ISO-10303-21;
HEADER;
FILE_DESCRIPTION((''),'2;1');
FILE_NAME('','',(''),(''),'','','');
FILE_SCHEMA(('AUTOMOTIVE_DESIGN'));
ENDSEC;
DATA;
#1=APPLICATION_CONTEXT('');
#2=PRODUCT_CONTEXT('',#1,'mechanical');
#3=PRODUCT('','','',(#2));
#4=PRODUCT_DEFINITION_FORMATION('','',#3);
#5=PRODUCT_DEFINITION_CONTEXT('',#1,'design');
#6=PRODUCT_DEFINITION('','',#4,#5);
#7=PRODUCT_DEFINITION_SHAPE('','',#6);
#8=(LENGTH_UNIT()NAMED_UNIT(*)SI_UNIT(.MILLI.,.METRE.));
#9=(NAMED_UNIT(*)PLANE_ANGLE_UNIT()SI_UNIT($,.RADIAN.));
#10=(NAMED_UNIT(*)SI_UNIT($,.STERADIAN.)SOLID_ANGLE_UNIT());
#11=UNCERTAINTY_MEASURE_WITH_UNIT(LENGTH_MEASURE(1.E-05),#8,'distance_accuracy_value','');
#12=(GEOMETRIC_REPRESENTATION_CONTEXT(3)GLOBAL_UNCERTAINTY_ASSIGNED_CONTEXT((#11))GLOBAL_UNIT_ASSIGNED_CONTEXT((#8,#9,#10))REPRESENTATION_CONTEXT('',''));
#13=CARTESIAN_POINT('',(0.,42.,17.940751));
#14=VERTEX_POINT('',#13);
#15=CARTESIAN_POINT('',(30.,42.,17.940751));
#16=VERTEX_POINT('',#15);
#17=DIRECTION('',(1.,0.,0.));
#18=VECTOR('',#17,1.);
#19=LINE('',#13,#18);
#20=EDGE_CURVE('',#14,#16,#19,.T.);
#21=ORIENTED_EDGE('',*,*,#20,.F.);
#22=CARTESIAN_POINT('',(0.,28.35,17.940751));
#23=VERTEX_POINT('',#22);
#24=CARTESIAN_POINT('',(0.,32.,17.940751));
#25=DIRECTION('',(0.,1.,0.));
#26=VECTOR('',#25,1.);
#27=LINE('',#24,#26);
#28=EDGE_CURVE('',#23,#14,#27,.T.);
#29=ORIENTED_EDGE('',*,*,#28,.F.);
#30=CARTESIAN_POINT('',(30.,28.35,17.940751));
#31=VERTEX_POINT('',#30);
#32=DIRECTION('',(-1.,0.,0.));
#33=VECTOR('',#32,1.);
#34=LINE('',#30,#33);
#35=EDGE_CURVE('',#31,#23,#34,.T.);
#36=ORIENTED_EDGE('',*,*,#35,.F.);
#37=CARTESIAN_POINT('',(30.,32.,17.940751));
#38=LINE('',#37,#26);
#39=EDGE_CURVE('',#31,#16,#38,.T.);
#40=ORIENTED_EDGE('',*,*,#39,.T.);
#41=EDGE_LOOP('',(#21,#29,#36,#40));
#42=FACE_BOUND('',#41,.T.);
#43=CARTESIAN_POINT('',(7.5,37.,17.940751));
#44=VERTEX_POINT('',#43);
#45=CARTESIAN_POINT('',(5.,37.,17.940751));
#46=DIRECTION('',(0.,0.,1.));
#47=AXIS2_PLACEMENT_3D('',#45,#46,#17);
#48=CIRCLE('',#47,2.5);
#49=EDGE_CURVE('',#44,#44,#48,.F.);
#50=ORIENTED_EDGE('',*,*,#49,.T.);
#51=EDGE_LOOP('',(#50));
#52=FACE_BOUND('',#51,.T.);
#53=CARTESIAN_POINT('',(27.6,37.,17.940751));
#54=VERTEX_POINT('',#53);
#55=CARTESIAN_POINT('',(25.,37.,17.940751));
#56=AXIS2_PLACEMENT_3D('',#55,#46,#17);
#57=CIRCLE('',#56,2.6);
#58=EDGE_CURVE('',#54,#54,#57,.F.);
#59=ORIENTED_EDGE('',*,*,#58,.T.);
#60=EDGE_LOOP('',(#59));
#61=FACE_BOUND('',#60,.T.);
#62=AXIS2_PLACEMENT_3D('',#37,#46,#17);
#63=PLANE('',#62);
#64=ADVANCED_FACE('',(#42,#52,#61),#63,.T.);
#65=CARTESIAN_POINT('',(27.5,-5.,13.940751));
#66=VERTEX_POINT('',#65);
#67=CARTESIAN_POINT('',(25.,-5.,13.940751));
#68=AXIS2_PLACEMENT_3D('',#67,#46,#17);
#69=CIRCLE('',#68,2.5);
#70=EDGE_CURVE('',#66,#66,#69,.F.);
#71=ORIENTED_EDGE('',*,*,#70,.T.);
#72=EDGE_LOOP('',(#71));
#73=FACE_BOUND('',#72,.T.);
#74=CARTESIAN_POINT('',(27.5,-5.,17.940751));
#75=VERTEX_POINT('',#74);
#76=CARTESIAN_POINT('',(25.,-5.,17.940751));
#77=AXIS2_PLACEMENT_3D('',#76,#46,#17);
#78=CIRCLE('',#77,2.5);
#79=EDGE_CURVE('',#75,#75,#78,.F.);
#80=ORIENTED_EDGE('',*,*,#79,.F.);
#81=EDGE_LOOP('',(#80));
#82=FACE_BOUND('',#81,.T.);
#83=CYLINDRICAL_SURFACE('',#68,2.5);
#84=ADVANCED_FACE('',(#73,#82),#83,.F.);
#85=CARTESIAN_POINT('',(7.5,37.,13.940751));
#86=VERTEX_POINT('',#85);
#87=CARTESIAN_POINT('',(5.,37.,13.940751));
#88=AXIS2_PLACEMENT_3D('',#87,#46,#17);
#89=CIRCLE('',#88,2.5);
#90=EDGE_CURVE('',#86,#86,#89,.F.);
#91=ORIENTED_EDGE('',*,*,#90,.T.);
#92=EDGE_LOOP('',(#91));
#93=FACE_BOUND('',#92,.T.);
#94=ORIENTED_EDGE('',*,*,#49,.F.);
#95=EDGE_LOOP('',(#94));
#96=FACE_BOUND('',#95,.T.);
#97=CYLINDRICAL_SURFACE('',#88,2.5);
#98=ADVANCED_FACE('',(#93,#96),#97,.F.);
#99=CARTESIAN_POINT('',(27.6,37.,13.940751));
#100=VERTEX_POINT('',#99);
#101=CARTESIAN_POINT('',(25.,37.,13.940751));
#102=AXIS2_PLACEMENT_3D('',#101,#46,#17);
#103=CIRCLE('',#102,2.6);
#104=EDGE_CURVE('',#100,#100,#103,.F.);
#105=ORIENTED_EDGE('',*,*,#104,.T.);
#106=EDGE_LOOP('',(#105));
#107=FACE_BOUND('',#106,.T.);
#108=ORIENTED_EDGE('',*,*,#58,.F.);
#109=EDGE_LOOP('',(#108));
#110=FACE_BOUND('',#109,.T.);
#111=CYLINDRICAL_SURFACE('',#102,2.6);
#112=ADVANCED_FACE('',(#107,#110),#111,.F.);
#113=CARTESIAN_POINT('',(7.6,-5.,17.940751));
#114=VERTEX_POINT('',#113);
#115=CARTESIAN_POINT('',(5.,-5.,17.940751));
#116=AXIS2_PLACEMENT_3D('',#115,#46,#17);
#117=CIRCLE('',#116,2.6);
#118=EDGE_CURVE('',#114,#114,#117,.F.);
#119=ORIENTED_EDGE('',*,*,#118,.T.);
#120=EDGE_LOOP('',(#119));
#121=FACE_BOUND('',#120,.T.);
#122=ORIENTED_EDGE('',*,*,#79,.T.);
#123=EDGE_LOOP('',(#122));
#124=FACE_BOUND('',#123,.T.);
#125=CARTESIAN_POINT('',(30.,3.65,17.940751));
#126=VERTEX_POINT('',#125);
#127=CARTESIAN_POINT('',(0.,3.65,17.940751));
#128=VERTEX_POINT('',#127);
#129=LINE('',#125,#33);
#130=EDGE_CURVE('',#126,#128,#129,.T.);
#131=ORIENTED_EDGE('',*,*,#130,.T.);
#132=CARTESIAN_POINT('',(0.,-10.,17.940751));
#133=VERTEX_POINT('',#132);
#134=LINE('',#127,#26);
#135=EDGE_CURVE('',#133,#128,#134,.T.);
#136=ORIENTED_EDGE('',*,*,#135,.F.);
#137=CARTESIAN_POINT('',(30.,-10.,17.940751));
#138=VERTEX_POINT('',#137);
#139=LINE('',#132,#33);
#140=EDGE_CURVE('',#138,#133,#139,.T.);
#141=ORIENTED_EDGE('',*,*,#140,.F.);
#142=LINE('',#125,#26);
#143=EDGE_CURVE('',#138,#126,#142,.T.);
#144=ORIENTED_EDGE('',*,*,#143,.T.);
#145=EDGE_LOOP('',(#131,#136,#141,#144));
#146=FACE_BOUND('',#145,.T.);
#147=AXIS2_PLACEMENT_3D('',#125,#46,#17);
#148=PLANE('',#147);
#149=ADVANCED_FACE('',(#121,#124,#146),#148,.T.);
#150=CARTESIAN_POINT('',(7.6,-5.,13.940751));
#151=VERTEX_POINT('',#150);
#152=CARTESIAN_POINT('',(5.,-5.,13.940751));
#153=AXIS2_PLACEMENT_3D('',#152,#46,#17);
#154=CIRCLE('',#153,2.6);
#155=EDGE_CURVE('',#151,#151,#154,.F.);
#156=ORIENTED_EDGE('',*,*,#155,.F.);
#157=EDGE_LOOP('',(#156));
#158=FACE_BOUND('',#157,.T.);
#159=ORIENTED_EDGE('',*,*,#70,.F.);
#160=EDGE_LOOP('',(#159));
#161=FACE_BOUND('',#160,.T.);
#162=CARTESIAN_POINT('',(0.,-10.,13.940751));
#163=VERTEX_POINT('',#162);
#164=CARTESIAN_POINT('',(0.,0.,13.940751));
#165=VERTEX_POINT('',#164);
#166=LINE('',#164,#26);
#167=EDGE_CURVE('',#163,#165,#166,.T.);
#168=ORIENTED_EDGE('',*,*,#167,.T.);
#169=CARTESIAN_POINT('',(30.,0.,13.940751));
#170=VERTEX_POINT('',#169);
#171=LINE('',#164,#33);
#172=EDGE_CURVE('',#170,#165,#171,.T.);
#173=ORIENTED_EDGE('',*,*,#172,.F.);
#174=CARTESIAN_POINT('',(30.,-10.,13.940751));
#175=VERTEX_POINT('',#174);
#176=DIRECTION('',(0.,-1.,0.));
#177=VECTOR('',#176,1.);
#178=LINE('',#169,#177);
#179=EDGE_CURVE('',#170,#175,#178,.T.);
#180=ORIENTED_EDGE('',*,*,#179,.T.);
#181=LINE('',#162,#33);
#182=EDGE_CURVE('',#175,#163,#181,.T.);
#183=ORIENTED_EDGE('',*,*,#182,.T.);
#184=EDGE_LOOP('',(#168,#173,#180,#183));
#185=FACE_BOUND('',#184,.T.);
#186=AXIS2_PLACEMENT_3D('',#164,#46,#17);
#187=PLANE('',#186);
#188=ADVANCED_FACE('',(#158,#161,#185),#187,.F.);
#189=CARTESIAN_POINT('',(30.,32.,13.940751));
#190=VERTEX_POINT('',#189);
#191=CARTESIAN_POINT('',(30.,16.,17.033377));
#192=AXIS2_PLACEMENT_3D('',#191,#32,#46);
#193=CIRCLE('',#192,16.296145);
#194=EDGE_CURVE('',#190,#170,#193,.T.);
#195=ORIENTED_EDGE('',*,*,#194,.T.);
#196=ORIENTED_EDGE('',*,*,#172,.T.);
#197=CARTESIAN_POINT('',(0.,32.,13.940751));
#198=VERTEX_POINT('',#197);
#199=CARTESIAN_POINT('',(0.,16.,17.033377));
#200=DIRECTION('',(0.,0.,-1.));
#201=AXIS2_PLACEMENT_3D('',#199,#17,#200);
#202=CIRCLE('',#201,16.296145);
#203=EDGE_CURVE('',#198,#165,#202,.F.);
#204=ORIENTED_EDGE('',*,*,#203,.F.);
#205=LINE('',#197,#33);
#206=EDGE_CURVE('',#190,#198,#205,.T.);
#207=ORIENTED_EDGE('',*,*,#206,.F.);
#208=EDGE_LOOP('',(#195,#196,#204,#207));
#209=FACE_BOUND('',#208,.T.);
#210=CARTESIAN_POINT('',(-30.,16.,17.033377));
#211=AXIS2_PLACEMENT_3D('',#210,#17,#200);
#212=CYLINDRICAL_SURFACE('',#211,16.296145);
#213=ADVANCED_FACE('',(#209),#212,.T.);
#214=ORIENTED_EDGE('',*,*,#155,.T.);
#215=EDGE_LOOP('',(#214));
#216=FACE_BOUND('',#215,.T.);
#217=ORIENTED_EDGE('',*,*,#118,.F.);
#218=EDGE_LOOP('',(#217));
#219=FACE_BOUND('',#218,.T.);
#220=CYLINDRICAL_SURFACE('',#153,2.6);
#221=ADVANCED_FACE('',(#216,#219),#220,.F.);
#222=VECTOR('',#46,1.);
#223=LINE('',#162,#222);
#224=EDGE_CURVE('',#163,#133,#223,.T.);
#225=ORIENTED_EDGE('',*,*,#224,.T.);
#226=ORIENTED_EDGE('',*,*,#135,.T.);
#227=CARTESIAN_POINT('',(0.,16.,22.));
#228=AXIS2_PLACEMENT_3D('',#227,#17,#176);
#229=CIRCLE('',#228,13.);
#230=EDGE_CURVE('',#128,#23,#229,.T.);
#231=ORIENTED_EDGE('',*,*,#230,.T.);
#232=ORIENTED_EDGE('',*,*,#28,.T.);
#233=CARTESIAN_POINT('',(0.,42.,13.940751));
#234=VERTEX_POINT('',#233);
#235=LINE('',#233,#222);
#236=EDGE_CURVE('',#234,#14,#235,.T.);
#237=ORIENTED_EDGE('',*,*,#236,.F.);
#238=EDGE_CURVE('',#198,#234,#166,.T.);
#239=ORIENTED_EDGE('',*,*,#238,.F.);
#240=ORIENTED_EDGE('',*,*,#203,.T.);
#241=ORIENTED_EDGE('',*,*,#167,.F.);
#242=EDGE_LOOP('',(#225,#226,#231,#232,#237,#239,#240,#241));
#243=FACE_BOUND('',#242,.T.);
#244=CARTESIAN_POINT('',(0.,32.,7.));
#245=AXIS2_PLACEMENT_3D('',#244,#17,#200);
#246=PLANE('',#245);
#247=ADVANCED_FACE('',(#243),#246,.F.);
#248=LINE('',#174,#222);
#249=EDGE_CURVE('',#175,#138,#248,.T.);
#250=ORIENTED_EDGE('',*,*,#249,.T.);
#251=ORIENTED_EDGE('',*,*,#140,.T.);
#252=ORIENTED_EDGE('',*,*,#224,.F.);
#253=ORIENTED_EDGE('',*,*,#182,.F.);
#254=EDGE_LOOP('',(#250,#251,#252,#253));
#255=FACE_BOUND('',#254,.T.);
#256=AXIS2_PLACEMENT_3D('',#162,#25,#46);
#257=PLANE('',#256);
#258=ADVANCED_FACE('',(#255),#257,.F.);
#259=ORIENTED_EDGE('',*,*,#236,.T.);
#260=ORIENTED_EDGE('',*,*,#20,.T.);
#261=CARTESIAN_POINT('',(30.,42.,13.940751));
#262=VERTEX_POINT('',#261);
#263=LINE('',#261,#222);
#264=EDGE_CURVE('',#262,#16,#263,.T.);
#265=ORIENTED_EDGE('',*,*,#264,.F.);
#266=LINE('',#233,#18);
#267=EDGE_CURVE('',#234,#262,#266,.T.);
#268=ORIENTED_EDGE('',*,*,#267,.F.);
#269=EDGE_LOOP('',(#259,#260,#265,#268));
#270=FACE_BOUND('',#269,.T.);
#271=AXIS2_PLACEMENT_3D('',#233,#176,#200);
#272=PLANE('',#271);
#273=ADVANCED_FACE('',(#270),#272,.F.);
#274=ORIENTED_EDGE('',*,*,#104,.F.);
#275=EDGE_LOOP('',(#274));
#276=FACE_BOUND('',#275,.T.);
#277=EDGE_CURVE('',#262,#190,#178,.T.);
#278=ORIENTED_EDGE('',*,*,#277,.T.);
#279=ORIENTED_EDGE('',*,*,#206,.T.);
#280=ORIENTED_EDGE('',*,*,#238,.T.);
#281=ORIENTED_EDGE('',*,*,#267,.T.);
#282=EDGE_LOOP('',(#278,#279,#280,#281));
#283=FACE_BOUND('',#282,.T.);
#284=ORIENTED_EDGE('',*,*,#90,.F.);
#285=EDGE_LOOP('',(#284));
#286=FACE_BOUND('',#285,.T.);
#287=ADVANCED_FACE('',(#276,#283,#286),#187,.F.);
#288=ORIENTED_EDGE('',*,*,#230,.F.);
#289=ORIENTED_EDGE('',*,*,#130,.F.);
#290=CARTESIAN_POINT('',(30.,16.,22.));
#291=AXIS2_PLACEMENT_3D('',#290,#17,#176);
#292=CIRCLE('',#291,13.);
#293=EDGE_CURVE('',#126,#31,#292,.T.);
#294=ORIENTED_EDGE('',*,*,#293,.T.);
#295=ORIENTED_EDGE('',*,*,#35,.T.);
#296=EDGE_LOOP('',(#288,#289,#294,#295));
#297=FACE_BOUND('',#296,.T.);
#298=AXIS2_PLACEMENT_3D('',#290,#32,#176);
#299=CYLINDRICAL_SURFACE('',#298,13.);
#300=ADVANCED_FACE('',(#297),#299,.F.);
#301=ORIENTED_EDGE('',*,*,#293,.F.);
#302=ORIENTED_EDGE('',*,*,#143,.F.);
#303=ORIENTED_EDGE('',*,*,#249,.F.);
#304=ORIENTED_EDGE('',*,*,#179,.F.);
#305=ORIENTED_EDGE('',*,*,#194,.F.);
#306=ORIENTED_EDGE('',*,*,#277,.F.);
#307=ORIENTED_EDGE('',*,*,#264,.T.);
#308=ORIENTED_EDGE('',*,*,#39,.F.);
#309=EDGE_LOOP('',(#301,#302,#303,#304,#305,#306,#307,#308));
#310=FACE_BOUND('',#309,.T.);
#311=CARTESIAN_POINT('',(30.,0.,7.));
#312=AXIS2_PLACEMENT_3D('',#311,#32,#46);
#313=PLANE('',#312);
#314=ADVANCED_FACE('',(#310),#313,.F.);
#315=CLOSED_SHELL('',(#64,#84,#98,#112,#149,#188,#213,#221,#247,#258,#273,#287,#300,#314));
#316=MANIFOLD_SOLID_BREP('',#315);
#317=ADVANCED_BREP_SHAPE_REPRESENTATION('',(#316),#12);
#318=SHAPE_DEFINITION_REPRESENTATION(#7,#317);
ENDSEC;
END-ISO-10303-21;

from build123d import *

# Parameters (mm, degrees)
SKETCH_1_W          = 30
SKETCH_1_H          = 32
EXTRUDE_1_DEPTH     = 7
EXTRUDE_2_DEPTH     = 30
SKETCH_3_W          = 30
SKETCH_3_H          = 10
SKETCH_3_R          = 2.6
SKETCH_3_R_2        = 2.5
EXTRUDE_3_DEPTH     = 4
CUT_EXTRUDE_1_DEPTH = 60


with BuildPart() as part:
    # Эскиз1 → Бобышка-Вытянуть1 (new body)
    with BuildSketch(Plane.XY):
        with Locations((15, 16)):
            Rectangle(SKETCH_1_W, SKETCH_1_H)
    extrude(amount=EXTRUDE_1_DEPTH)

    # Эскиз2 → Бобышка-Вытянуть2 (add)
    with BuildSketch(Plane.ZY):
        with BuildLine():
            Line((7, 32), (17.940751301, 32))
            Line((17.940751301, 32), (17.940751301, 28.35))
            ThreePointArc((17.940751301, 28.35), (9, 16), (17.940751301, 3.65))
            Line((17.940751301, 3.65), (17.940751301, 0))
            Line((17.940751301, 0), (7, 0))
            Line((7, 0), (7, 32))
        make_face()
    extrude(amount=-EXTRUDE_2_DEPTH)

    # Эскиз3 → Бобышка-Вытянуть3 (add)
    # profile 1 of 2: a face of its own
    with BuildSketch(Plane(origin=(0, 0, 17.940751301), x_dir=(-1, 0, 0), z_dir=(0, 0, -1))):
        with Locations((-15, 37)):
            Rectangle(SKETCH_3_W, SKETCH_3_H)
        with Locations(Location((-25, 37, 0), (0, 0, 180))):
            Circle(SKETCH_3_R, mode=Mode.SUBTRACT)
        with Locations(Location((-5, 37, 0), (0, 0, 180))):
            Circle(SKETCH_3_R_2, mode=Mode.SUBTRACT)
    # profile 2 of 2: a face of its own
    with BuildSketch(Plane(origin=(0, 0, 17.940751301), x_dir=(-1, 0, 0), z_dir=(0, 0, -1))):
        with Locations((-15, -5)):
            Rectangle(SKETCH_3_W, SKETCH_3_H)
        with Locations(Location((-25, -5, 0), (0, 0, 180))):
            Circle(SKETCH_3_R_2, mode=Mode.SUBTRACT)
        with Locations(Location((-5, -5, 0), (0, 0, 180))):
            Circle(SKETCH_3_R, mode=Mode.SUBTRACT)
    extrude(amount=EXTRUDE_3_DEPTH)

    # Эскиз4 → Вырез-Вытянуть1 (cut)
    with BuildSketch(Plane(origin=(30, 0, 0), x_dir=(0, 0, -1), z_dir=(1, 0, 0))):
        with BuildLine():
            Line((-13.940751301, 32), (0, 32))
            Line((0, 32), (0, 0))
            Line((0, 0), (-13.940751301, 0))
            ThreePointArc((-13.940751301, 0), (-0.73723231, 16), (-13.940751301, 32))
        make_face()
    extrude(amount=-CUT_EXTRUDE_1_DEPTH, mode=Mode.SUBTRACT)


solid = part.part
